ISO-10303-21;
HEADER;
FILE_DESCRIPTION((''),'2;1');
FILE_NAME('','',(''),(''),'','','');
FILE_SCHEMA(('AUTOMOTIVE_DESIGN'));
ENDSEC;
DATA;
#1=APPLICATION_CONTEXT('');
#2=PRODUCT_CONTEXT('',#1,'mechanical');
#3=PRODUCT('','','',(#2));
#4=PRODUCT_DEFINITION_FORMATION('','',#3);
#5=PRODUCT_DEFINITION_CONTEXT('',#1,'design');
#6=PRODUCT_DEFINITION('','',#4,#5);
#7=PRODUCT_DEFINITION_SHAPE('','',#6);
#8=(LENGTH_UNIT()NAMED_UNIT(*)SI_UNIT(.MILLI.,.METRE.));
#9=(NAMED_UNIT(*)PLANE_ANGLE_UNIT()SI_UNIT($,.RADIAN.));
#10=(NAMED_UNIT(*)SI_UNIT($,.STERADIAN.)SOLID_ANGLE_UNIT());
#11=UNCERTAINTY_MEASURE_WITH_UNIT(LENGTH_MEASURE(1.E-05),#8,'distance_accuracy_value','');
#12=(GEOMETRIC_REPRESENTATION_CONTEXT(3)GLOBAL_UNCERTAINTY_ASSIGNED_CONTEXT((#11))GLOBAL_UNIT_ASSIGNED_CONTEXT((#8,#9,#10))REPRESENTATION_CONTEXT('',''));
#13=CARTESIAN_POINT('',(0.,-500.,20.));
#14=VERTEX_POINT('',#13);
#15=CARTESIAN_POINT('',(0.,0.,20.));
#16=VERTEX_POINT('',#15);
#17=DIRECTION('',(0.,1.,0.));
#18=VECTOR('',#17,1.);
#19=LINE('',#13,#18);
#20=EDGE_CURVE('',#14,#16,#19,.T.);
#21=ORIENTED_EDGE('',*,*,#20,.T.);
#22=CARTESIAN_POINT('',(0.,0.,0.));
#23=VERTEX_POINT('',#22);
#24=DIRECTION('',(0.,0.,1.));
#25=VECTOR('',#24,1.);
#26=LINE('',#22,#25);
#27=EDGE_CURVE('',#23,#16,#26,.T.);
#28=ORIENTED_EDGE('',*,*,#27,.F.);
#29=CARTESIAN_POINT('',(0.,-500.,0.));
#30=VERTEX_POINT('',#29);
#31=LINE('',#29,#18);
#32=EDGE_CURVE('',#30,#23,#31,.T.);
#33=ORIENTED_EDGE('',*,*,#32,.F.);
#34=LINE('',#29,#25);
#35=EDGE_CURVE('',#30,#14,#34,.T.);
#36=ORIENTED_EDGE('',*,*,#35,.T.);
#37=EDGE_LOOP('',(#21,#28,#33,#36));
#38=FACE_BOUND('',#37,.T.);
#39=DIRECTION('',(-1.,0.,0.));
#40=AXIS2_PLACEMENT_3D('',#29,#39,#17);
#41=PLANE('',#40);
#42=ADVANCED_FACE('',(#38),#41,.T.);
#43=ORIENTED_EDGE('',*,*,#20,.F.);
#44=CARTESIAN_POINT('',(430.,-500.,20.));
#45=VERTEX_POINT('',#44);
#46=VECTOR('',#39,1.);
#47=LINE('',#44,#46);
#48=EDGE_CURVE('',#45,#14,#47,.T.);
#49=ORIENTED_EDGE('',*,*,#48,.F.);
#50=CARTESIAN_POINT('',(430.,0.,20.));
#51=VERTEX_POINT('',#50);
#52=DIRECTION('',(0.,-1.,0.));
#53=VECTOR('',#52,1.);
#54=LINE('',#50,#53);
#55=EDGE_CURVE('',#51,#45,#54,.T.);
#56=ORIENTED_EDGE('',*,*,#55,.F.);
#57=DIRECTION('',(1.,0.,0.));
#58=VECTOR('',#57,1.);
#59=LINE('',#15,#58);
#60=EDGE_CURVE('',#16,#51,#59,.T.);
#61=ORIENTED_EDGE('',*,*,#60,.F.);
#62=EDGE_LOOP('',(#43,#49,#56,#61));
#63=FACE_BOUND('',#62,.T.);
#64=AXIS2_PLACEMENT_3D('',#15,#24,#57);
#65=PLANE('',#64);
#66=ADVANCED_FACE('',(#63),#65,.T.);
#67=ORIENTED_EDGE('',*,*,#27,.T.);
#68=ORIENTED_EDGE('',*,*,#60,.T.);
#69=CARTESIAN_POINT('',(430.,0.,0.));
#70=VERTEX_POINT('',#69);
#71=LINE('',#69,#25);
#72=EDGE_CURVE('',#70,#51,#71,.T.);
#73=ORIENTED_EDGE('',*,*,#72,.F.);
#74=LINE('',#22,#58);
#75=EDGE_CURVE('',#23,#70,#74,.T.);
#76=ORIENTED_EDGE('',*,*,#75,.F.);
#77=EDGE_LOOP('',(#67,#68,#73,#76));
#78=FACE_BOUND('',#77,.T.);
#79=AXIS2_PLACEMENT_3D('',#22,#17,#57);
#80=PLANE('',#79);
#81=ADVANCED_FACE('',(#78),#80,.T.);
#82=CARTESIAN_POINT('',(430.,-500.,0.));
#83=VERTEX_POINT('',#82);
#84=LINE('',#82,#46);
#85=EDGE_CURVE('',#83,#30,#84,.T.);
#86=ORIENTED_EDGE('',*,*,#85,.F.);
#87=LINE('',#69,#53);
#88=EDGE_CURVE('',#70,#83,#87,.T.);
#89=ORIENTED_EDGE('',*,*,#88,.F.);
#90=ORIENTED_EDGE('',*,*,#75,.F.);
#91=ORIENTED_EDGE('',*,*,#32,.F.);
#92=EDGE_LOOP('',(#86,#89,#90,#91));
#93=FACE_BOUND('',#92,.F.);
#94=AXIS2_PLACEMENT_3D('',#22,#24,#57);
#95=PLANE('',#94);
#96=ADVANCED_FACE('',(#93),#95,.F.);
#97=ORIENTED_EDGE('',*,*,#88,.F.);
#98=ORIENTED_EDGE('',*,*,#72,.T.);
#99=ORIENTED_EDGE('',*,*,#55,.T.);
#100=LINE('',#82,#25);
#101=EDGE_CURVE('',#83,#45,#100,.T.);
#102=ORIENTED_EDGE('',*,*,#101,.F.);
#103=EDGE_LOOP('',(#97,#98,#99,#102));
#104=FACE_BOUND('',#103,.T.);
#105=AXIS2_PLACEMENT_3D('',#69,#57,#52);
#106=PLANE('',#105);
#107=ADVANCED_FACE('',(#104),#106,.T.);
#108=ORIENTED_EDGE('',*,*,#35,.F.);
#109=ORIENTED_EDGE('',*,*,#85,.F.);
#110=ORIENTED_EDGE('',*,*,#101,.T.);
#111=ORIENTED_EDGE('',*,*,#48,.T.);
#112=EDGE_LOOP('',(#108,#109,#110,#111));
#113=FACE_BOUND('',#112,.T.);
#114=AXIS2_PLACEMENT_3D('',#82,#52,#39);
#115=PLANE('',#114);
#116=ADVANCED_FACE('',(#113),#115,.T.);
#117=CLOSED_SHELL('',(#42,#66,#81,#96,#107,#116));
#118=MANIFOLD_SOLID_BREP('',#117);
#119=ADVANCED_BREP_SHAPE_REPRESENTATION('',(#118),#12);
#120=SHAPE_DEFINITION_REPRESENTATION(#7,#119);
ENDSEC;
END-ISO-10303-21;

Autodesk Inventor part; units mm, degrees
ref_plane "YZ Plane" through (0, 0, 0) normal (1, 0, 0) x (0, 1, 0)
ref_plane "XZ Plane" through (0, 0, 0) normal (0, 1, 0) x (-1, 0, 0)
ref_plane "XY Plane" through (0, 0, 0) normal (0, 0, 1) x (1, 0, 0)
sketch "Sketch1" plane through (0, 0, 0) normal (0, 0, 1) x (1, 0, 0)
  line L0 (0, 0) -> (430, 0)
  line L1 (430, 0) -> (430, -500)
  line L2 (430, -500) -> (0, -500)
  line L3 (0, -500) -> (0, 0)
  dimension "d0" = 430
  dimension "d1" = 500
extrude "Extrusion1" add sketch "Sketch1" along normal blind 20
properties part number "rockwool_walls"
